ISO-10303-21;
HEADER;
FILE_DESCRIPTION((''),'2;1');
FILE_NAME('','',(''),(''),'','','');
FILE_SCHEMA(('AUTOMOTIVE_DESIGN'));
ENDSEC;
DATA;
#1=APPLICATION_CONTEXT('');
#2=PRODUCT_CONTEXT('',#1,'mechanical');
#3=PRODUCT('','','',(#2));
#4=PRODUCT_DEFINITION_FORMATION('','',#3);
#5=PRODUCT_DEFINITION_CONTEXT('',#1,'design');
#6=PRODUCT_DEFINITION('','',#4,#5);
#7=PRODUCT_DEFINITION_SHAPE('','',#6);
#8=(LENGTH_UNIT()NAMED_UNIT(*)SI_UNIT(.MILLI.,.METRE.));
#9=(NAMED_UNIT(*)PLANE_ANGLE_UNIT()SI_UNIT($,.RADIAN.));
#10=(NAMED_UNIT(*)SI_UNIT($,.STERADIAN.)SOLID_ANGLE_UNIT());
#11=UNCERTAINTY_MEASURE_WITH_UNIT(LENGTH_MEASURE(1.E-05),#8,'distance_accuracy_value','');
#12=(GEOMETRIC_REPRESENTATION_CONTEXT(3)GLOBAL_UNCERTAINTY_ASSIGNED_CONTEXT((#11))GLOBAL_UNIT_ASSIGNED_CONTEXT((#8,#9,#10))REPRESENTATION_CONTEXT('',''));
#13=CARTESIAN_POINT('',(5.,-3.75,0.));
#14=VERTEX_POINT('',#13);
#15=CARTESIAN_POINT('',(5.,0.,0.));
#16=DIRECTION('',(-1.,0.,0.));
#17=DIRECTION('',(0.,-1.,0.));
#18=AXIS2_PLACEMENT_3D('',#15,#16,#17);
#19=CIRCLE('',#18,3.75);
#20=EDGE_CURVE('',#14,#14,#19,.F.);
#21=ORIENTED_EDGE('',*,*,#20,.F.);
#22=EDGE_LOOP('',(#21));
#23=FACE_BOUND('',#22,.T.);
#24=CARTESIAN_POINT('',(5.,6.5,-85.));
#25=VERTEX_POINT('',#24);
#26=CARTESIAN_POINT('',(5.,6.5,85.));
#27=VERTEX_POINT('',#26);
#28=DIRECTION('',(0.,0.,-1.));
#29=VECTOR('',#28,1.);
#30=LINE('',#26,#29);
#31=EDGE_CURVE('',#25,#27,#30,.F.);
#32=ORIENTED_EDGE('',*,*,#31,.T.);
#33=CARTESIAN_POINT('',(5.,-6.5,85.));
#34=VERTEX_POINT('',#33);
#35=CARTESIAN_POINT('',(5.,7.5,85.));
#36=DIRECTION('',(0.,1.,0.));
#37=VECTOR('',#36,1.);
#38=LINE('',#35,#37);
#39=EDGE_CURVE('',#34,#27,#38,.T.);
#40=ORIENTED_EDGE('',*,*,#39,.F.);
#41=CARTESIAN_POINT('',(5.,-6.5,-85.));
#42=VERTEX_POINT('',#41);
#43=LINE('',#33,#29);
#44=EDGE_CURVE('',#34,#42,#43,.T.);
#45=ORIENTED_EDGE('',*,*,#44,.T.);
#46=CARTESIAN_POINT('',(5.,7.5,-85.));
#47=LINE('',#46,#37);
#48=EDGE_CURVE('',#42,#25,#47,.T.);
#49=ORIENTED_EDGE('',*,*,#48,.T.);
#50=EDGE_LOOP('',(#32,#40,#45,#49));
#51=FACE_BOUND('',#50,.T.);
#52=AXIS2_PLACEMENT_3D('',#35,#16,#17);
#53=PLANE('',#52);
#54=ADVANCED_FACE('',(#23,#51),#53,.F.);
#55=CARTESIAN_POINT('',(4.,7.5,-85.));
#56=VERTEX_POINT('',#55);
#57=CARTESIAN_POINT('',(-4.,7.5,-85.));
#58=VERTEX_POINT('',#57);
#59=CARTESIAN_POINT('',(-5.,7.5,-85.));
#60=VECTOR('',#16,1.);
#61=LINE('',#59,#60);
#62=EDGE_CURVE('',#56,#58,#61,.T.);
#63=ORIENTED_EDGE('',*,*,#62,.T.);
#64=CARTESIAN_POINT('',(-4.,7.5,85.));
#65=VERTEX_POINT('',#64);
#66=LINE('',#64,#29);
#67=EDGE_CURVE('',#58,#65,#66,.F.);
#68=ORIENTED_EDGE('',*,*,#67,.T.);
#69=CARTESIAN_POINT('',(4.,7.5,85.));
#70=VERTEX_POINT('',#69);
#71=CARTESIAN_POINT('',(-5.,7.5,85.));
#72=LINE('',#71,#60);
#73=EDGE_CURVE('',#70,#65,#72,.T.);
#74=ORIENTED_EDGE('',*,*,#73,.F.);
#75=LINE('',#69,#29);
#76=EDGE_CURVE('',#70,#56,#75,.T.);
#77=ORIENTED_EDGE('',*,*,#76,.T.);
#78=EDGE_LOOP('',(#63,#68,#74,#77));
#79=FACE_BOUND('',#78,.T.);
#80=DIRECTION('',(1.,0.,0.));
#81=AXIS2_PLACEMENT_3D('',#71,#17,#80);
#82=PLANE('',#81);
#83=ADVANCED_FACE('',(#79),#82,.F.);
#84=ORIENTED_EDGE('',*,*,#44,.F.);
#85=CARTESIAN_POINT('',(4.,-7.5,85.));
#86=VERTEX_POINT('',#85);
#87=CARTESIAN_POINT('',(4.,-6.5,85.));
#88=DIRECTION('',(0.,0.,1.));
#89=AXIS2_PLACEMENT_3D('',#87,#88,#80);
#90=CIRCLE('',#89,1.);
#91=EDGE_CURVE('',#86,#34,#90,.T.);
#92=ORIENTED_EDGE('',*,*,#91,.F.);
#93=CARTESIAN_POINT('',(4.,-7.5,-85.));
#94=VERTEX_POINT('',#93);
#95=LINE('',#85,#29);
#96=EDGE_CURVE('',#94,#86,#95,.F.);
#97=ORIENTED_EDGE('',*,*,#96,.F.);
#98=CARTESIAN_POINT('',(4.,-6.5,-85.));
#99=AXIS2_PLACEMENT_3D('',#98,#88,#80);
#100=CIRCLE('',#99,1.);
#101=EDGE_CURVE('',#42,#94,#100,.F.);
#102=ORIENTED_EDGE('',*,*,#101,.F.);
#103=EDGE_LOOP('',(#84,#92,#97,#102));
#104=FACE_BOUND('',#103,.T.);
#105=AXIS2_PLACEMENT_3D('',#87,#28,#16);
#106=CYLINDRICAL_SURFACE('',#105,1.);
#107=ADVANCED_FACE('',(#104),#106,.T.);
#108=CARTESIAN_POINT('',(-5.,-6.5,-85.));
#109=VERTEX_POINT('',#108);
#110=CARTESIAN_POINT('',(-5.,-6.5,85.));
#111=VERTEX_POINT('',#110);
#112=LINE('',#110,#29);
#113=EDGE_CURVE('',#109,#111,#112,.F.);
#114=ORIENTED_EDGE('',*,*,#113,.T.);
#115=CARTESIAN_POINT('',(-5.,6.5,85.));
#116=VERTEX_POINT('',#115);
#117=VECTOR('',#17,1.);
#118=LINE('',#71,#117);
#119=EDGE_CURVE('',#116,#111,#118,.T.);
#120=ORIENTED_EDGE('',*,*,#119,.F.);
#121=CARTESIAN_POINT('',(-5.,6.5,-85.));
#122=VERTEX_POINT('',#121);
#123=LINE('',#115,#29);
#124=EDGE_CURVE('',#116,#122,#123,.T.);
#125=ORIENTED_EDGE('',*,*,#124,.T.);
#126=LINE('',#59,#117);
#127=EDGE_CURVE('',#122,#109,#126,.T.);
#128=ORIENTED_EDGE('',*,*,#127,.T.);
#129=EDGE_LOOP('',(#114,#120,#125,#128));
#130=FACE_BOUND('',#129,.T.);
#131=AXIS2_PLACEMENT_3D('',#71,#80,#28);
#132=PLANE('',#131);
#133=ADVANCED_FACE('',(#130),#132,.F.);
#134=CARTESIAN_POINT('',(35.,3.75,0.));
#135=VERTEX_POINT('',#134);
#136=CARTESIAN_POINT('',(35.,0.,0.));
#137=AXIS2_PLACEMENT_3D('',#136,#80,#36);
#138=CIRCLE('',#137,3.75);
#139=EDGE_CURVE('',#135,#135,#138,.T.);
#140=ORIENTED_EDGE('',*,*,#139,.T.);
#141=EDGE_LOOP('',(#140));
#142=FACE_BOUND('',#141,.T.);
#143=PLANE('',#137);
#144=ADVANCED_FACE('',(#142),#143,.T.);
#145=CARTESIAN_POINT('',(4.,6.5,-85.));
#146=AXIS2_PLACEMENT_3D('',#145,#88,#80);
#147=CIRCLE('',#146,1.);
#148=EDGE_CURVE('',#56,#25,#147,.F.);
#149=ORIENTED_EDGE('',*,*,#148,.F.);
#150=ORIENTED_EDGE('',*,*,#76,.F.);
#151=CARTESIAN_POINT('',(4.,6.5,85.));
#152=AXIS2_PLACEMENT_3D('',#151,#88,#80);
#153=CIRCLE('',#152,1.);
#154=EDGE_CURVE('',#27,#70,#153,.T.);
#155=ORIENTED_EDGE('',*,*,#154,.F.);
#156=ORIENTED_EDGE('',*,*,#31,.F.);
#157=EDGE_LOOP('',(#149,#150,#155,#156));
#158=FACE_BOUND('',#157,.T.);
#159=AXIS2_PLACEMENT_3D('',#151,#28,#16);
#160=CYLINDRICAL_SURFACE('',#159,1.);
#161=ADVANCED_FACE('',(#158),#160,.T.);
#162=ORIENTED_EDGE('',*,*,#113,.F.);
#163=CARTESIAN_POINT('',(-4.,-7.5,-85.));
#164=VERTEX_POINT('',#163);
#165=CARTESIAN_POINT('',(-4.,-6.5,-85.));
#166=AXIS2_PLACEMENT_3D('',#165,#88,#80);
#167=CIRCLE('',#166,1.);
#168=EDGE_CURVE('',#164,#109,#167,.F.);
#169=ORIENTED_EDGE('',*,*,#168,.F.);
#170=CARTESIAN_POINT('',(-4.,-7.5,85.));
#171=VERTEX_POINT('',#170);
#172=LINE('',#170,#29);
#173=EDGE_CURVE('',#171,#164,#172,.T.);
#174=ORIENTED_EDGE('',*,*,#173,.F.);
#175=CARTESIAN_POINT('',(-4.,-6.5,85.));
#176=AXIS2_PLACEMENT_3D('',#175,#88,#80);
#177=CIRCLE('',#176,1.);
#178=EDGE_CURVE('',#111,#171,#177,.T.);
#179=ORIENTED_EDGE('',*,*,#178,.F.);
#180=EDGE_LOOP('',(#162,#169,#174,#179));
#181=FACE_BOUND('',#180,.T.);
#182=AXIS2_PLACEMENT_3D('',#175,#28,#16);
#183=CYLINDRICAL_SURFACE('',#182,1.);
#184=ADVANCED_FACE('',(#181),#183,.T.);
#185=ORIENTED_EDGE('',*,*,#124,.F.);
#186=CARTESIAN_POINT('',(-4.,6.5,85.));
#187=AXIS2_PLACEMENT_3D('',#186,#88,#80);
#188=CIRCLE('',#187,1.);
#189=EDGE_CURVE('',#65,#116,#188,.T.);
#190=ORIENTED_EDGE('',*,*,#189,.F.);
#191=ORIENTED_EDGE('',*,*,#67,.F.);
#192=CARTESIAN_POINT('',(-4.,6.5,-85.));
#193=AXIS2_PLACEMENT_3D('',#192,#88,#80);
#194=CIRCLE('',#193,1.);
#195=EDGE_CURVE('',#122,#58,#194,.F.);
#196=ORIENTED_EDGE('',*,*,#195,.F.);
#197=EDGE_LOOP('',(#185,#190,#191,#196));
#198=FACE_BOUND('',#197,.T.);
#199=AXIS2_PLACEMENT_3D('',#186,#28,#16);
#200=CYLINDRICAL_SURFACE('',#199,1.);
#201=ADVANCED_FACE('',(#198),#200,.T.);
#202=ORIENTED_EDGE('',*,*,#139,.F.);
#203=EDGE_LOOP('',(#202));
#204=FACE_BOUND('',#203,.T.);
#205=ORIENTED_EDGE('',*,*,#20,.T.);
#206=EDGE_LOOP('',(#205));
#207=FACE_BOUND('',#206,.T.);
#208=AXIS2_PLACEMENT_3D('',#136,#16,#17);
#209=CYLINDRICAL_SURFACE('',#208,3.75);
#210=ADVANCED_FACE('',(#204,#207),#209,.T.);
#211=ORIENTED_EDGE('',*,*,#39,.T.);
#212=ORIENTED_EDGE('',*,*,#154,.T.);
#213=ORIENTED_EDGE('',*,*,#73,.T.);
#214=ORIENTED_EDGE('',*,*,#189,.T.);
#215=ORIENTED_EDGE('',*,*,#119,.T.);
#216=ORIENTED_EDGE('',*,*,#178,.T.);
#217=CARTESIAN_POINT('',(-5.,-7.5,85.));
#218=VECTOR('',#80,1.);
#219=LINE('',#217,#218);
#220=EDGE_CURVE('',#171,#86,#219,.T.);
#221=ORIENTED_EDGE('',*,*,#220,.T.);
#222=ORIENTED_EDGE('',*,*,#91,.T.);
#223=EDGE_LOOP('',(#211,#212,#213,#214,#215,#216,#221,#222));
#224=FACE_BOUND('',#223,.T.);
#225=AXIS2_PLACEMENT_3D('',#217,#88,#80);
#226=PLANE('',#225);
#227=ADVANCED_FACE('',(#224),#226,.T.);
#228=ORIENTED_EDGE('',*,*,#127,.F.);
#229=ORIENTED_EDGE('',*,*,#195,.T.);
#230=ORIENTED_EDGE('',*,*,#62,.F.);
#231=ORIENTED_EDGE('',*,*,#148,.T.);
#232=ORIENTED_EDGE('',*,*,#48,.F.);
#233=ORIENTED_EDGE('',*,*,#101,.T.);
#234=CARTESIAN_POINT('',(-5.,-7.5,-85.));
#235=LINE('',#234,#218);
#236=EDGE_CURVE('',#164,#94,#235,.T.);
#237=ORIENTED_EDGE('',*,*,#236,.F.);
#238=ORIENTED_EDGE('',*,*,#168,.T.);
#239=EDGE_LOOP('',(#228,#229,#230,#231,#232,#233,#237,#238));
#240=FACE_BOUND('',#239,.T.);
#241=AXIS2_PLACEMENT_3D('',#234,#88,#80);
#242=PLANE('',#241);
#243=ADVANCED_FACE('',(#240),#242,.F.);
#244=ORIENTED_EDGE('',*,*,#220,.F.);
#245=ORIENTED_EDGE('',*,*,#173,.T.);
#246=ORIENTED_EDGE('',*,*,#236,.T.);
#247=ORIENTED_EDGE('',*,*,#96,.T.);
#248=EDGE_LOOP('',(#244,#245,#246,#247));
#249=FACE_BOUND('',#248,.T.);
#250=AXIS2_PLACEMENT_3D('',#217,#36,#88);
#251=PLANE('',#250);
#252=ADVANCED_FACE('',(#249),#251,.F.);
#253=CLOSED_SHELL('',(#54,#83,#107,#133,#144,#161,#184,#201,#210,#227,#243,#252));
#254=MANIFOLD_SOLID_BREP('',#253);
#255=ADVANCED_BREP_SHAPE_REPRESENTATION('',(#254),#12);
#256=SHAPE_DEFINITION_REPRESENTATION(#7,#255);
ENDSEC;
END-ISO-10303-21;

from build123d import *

# Parameters (mm, degrees)
SKETCH1_W           = 10
SKETCH1_H           = 15
BOSS_EXTRUDE1_DEPTH = 85
SKETCH2_R           = 3.75
BOSS_EXTRUDE2_DEPTH = 30
FILLET2_R           = 1


with BuildPart() as part:
    # Sketch1 → Boss-Extrude1 (new, symmetric)
    with BuildSketch(Plane.XY):
        Rectangle(SKETCH1_W, SKETCH1_H)
    extrude(amount=BOSS_EXTRUDE1_DEPTH, both=True)

    # Sketch2 → Boss-Extrude2 (add)
    with BuildSketch(Plane(origin=(5, 0, 0), x_dir=(0, 0, -1), z_dir=(1, 0, 0))):
        with Locations(Location((0, 0, 0), (0, 0, 270))):
            Circle(SKETCH2_R)
    extrude(amount=BOSS_EXTRUDE2_DEPTH)

    # Fillet2
    fillet2_edges = [part.edges().sort_by_distance(p)[0] for p in [
        (-5, 7.5, 0),
        (5, 7.5, 0),
        (5, -7.5, 0),
        (-5, -7.5, 0),
    ]]
    fillet(fillet2_edges, radius=FILLET2_R)


solid = part.part
